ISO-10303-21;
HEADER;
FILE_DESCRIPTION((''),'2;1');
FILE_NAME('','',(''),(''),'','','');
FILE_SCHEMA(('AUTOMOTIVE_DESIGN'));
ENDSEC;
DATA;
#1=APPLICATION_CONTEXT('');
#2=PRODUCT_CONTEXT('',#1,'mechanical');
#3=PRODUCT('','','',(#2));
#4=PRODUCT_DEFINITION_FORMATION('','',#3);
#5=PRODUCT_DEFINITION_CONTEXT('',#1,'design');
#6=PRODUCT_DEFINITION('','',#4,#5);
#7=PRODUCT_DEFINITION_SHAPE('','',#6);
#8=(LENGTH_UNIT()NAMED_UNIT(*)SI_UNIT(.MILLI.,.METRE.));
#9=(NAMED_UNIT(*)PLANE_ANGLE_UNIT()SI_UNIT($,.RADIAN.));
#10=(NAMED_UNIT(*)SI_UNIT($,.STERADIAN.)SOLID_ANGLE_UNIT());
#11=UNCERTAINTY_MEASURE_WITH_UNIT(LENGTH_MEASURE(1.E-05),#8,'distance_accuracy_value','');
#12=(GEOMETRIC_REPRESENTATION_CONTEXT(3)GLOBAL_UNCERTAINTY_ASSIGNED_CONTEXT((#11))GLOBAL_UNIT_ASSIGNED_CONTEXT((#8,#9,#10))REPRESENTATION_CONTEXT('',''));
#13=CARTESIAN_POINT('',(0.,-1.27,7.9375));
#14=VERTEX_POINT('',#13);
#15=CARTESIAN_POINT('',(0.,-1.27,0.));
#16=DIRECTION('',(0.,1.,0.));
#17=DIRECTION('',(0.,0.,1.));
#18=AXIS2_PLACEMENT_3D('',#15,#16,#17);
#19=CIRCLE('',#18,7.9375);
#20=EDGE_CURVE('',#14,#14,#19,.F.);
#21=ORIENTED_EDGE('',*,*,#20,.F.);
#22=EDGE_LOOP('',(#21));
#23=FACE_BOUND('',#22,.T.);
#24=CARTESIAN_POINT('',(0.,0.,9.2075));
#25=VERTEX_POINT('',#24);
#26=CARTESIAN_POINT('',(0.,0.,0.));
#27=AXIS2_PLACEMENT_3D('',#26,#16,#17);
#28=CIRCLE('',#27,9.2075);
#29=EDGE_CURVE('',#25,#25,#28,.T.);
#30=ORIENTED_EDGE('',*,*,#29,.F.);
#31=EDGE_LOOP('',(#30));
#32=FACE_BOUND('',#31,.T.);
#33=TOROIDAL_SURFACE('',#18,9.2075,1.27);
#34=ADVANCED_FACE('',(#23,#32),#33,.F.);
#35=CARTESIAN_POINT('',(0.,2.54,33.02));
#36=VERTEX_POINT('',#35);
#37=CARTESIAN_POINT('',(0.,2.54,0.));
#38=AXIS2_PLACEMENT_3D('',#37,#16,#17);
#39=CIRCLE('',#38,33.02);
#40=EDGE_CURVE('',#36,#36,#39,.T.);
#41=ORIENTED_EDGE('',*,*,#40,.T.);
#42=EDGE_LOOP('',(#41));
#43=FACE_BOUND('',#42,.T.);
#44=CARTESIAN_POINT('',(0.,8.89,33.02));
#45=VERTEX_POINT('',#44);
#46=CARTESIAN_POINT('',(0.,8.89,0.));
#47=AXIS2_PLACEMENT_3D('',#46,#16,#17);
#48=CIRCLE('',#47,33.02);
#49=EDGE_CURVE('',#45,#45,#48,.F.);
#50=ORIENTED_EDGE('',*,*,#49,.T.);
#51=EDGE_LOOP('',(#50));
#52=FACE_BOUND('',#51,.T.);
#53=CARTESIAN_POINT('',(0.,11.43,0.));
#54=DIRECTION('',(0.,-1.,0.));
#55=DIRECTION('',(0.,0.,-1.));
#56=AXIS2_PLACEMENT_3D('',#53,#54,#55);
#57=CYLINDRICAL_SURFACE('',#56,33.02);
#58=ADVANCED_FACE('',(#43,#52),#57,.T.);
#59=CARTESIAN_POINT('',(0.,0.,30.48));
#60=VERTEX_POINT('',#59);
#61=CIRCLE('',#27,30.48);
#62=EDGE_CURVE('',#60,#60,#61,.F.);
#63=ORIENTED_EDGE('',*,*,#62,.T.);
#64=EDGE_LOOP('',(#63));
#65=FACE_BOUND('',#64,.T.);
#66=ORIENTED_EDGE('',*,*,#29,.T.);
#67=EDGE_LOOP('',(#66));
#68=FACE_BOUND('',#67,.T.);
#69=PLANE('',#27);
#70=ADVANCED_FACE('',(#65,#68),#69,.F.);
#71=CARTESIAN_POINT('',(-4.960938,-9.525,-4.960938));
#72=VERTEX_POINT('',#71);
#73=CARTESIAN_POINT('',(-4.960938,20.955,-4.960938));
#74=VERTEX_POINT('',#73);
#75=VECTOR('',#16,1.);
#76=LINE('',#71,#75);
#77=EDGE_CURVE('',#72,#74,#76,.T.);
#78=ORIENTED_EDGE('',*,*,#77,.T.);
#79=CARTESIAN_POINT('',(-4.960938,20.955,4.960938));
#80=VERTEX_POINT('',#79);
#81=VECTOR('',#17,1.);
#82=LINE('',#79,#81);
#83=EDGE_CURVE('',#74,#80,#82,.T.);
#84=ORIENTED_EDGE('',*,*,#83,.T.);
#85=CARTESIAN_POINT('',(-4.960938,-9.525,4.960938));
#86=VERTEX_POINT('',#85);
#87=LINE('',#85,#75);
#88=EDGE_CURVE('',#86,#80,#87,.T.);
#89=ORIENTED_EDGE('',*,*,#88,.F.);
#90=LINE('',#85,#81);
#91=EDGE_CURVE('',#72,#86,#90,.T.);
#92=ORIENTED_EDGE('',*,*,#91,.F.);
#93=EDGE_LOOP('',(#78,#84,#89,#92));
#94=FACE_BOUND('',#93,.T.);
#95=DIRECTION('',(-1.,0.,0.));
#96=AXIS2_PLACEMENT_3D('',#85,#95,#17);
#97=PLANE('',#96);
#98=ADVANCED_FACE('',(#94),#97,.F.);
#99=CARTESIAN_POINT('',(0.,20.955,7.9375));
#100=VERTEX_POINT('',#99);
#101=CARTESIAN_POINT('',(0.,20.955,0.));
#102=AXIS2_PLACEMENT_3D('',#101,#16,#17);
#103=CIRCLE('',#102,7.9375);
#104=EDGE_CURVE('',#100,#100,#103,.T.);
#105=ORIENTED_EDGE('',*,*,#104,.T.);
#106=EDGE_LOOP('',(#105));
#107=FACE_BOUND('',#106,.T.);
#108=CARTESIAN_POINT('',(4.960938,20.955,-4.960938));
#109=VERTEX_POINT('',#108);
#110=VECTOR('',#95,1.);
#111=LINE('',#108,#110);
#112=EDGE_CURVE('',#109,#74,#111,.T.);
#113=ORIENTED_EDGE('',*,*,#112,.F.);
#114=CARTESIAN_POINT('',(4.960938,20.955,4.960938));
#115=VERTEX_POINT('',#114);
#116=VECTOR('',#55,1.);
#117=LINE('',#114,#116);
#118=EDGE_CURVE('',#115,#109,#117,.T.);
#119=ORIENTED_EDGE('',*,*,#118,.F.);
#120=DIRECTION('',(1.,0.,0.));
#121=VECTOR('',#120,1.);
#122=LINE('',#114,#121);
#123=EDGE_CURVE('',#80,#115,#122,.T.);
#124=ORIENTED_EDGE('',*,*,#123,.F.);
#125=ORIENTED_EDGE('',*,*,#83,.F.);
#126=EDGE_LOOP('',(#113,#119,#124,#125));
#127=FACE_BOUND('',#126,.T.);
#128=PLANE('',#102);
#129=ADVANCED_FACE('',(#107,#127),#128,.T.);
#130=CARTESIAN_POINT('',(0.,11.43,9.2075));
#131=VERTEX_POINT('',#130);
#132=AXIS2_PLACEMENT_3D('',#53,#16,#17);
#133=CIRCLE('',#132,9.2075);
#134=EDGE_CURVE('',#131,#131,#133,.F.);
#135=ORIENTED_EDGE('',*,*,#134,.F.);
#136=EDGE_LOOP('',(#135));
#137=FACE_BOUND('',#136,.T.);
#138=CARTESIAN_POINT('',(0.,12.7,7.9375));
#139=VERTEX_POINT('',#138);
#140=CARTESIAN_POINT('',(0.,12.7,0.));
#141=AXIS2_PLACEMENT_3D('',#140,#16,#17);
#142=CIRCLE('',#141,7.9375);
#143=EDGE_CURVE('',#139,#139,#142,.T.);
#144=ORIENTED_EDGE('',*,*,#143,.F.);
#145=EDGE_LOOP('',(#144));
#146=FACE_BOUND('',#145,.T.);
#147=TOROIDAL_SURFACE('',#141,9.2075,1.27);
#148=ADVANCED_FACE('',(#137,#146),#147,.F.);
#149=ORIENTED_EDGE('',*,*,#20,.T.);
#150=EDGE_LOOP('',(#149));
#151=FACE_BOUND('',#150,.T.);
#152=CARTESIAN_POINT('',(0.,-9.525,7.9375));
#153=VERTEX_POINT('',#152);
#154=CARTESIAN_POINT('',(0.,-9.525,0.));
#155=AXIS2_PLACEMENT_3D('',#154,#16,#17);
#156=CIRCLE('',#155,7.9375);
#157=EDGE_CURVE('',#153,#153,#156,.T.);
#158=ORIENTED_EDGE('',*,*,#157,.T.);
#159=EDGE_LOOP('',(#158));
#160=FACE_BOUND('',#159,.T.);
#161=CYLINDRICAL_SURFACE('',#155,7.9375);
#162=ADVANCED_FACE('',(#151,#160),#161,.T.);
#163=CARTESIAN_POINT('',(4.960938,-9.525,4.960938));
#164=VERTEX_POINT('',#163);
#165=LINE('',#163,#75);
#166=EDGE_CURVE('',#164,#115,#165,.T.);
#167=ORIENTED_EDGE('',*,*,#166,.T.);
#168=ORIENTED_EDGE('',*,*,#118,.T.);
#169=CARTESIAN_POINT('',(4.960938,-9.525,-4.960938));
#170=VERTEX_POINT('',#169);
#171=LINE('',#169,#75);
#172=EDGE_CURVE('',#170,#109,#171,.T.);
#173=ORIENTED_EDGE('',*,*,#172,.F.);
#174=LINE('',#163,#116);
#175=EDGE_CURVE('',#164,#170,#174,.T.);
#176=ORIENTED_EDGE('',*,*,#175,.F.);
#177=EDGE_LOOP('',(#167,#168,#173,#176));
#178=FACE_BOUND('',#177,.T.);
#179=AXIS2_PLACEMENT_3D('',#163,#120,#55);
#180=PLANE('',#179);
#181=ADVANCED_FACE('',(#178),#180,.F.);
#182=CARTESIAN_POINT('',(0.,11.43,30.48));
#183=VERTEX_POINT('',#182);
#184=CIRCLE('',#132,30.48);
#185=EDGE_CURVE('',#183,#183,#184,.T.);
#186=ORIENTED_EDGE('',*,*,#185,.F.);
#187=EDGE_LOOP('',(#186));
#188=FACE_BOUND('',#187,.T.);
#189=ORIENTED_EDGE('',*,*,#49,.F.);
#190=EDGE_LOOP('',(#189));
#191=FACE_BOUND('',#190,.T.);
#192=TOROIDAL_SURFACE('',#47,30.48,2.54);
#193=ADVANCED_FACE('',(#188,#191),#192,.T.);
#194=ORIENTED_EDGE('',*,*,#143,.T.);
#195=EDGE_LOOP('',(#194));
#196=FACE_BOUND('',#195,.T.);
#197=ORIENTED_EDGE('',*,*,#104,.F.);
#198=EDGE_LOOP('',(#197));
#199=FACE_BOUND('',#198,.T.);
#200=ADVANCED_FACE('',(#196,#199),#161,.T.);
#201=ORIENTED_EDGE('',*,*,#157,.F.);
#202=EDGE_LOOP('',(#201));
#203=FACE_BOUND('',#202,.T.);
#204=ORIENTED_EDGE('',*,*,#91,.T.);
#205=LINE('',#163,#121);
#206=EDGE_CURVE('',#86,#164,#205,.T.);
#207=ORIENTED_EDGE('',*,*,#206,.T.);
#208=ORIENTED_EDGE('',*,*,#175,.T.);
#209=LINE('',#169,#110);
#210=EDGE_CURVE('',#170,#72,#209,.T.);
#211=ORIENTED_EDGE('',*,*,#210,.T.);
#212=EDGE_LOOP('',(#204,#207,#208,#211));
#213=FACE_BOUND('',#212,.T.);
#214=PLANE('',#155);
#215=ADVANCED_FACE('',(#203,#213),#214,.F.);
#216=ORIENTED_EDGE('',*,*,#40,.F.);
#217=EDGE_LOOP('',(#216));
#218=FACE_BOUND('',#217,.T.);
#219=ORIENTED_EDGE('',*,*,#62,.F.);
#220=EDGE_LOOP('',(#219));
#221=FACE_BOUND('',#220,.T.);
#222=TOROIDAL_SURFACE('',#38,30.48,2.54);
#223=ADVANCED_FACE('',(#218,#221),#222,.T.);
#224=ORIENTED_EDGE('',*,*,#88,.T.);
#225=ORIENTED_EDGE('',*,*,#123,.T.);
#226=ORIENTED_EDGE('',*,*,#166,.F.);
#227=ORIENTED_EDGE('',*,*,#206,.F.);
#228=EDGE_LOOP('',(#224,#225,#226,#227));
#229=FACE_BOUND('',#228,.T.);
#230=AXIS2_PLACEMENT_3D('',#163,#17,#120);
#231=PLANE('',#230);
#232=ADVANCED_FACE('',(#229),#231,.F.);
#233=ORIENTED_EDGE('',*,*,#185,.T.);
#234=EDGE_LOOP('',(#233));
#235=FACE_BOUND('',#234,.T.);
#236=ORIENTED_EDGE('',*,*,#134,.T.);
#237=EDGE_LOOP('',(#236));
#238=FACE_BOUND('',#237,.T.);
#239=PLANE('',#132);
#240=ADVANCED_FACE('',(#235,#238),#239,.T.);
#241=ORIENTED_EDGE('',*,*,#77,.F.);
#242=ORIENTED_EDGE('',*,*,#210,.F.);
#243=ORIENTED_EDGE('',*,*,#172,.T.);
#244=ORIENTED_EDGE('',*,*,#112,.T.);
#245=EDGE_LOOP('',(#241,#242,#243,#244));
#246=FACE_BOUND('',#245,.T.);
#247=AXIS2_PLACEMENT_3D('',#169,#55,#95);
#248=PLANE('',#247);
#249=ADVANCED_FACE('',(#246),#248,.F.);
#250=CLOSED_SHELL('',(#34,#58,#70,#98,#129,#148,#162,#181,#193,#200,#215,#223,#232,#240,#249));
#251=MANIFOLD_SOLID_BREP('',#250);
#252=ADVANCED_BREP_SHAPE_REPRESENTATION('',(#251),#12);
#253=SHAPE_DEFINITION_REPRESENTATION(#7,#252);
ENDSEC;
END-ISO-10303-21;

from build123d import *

# Parameters (mm, degrees)
SKETCH1_R                = 33.02
BOSS_EXTRUDE1_DEPTH      = 11.43
FILLET1_R                = 2.54
BOSS_EXTRUDE2_DEPTH      = 9.525
BOSS_EXTRUDE2_DEPTH_BACK = 20.955
SKETCH3_R                = 7.9375
FILLET2_R                = 1.27
CUT_EXTRUDE1_DEPTH       = 52.183521094
CUT_EXTRUDE1_DEPTH_BACK  = 52.183521094
SKETCH2_W                = 9.921875
SKETCH2_H                = 9.921875


with BuildPart() as part:
    # Sketch1 → Boss-Extrude1 (new body)
    with BuildSketch(Plane(origin=(0, 0, 0), x_dir=(1, 0, 0), z_dir=(0, 1, 0))):
        with Locations(Location((0, 0, 0), (0, 0, 270))):
            Circle(SKETCH1_R)
    extrude(amount=BOSS_EXTRUDE1_DEPTH)

    # Fillet1
    fillet1_edges = [part.edges().sort_by_distance(p)[0] for p in [
        (0, 0, -33.02),
        (0, 11.43, -33.02),
    ]]
    fillet(fillet1_edges, radius=FILLET1_R)

    # Sketch3 → Boss-Extrude2 (add, two sides: drawn at the far end of the back side and taken through both)
    with BuildSketch(Plane(origin=(0, 11.43, 0), x_dir=(1, 0, 0), z_dir=(0, 1, 0)).offset(-BOSS_EXTRUDE2_DEPTH_BACK)):
        with Locations(Location((0, 0, 0), (0, 0, 270))):
            Circle(SKETCH3_R)
    extrude(amount=BOSS_EXTRUDE2_DEPTH + BOSS_EXTRUDE2_DEPTH_BACK)

    # Fillet2
    fillet2_edges = [part.edges().sort_by_distance(p)[0] for p in [
        (0, 11.43, -7.9375),
        (0, 0, -7.9375),
    ]]
    fillet(fillet2_edges, radius=FILLET2_R)

    # Sketch2 → Cut-Extrude1 (cut, two sides: drawn at the far end of the back side and taken through both)
    with BuildSketch(Plane(origin=(0, 11.43, 0), x_dir=(1, 0, 0), z_dir=(0, 1, 0)).offset(-CUT_EXTRUDE1_DEPTH_BACK)):
        Rectangle(SKETCH2_W, SKETCH2_H)
    extrude(amount=CUT_EXTRUDE1_DEPTH + CUT_EXTRUDE1_DEPTH_BACK, mode=Mode.SUBTRACT)


solid = part.part
